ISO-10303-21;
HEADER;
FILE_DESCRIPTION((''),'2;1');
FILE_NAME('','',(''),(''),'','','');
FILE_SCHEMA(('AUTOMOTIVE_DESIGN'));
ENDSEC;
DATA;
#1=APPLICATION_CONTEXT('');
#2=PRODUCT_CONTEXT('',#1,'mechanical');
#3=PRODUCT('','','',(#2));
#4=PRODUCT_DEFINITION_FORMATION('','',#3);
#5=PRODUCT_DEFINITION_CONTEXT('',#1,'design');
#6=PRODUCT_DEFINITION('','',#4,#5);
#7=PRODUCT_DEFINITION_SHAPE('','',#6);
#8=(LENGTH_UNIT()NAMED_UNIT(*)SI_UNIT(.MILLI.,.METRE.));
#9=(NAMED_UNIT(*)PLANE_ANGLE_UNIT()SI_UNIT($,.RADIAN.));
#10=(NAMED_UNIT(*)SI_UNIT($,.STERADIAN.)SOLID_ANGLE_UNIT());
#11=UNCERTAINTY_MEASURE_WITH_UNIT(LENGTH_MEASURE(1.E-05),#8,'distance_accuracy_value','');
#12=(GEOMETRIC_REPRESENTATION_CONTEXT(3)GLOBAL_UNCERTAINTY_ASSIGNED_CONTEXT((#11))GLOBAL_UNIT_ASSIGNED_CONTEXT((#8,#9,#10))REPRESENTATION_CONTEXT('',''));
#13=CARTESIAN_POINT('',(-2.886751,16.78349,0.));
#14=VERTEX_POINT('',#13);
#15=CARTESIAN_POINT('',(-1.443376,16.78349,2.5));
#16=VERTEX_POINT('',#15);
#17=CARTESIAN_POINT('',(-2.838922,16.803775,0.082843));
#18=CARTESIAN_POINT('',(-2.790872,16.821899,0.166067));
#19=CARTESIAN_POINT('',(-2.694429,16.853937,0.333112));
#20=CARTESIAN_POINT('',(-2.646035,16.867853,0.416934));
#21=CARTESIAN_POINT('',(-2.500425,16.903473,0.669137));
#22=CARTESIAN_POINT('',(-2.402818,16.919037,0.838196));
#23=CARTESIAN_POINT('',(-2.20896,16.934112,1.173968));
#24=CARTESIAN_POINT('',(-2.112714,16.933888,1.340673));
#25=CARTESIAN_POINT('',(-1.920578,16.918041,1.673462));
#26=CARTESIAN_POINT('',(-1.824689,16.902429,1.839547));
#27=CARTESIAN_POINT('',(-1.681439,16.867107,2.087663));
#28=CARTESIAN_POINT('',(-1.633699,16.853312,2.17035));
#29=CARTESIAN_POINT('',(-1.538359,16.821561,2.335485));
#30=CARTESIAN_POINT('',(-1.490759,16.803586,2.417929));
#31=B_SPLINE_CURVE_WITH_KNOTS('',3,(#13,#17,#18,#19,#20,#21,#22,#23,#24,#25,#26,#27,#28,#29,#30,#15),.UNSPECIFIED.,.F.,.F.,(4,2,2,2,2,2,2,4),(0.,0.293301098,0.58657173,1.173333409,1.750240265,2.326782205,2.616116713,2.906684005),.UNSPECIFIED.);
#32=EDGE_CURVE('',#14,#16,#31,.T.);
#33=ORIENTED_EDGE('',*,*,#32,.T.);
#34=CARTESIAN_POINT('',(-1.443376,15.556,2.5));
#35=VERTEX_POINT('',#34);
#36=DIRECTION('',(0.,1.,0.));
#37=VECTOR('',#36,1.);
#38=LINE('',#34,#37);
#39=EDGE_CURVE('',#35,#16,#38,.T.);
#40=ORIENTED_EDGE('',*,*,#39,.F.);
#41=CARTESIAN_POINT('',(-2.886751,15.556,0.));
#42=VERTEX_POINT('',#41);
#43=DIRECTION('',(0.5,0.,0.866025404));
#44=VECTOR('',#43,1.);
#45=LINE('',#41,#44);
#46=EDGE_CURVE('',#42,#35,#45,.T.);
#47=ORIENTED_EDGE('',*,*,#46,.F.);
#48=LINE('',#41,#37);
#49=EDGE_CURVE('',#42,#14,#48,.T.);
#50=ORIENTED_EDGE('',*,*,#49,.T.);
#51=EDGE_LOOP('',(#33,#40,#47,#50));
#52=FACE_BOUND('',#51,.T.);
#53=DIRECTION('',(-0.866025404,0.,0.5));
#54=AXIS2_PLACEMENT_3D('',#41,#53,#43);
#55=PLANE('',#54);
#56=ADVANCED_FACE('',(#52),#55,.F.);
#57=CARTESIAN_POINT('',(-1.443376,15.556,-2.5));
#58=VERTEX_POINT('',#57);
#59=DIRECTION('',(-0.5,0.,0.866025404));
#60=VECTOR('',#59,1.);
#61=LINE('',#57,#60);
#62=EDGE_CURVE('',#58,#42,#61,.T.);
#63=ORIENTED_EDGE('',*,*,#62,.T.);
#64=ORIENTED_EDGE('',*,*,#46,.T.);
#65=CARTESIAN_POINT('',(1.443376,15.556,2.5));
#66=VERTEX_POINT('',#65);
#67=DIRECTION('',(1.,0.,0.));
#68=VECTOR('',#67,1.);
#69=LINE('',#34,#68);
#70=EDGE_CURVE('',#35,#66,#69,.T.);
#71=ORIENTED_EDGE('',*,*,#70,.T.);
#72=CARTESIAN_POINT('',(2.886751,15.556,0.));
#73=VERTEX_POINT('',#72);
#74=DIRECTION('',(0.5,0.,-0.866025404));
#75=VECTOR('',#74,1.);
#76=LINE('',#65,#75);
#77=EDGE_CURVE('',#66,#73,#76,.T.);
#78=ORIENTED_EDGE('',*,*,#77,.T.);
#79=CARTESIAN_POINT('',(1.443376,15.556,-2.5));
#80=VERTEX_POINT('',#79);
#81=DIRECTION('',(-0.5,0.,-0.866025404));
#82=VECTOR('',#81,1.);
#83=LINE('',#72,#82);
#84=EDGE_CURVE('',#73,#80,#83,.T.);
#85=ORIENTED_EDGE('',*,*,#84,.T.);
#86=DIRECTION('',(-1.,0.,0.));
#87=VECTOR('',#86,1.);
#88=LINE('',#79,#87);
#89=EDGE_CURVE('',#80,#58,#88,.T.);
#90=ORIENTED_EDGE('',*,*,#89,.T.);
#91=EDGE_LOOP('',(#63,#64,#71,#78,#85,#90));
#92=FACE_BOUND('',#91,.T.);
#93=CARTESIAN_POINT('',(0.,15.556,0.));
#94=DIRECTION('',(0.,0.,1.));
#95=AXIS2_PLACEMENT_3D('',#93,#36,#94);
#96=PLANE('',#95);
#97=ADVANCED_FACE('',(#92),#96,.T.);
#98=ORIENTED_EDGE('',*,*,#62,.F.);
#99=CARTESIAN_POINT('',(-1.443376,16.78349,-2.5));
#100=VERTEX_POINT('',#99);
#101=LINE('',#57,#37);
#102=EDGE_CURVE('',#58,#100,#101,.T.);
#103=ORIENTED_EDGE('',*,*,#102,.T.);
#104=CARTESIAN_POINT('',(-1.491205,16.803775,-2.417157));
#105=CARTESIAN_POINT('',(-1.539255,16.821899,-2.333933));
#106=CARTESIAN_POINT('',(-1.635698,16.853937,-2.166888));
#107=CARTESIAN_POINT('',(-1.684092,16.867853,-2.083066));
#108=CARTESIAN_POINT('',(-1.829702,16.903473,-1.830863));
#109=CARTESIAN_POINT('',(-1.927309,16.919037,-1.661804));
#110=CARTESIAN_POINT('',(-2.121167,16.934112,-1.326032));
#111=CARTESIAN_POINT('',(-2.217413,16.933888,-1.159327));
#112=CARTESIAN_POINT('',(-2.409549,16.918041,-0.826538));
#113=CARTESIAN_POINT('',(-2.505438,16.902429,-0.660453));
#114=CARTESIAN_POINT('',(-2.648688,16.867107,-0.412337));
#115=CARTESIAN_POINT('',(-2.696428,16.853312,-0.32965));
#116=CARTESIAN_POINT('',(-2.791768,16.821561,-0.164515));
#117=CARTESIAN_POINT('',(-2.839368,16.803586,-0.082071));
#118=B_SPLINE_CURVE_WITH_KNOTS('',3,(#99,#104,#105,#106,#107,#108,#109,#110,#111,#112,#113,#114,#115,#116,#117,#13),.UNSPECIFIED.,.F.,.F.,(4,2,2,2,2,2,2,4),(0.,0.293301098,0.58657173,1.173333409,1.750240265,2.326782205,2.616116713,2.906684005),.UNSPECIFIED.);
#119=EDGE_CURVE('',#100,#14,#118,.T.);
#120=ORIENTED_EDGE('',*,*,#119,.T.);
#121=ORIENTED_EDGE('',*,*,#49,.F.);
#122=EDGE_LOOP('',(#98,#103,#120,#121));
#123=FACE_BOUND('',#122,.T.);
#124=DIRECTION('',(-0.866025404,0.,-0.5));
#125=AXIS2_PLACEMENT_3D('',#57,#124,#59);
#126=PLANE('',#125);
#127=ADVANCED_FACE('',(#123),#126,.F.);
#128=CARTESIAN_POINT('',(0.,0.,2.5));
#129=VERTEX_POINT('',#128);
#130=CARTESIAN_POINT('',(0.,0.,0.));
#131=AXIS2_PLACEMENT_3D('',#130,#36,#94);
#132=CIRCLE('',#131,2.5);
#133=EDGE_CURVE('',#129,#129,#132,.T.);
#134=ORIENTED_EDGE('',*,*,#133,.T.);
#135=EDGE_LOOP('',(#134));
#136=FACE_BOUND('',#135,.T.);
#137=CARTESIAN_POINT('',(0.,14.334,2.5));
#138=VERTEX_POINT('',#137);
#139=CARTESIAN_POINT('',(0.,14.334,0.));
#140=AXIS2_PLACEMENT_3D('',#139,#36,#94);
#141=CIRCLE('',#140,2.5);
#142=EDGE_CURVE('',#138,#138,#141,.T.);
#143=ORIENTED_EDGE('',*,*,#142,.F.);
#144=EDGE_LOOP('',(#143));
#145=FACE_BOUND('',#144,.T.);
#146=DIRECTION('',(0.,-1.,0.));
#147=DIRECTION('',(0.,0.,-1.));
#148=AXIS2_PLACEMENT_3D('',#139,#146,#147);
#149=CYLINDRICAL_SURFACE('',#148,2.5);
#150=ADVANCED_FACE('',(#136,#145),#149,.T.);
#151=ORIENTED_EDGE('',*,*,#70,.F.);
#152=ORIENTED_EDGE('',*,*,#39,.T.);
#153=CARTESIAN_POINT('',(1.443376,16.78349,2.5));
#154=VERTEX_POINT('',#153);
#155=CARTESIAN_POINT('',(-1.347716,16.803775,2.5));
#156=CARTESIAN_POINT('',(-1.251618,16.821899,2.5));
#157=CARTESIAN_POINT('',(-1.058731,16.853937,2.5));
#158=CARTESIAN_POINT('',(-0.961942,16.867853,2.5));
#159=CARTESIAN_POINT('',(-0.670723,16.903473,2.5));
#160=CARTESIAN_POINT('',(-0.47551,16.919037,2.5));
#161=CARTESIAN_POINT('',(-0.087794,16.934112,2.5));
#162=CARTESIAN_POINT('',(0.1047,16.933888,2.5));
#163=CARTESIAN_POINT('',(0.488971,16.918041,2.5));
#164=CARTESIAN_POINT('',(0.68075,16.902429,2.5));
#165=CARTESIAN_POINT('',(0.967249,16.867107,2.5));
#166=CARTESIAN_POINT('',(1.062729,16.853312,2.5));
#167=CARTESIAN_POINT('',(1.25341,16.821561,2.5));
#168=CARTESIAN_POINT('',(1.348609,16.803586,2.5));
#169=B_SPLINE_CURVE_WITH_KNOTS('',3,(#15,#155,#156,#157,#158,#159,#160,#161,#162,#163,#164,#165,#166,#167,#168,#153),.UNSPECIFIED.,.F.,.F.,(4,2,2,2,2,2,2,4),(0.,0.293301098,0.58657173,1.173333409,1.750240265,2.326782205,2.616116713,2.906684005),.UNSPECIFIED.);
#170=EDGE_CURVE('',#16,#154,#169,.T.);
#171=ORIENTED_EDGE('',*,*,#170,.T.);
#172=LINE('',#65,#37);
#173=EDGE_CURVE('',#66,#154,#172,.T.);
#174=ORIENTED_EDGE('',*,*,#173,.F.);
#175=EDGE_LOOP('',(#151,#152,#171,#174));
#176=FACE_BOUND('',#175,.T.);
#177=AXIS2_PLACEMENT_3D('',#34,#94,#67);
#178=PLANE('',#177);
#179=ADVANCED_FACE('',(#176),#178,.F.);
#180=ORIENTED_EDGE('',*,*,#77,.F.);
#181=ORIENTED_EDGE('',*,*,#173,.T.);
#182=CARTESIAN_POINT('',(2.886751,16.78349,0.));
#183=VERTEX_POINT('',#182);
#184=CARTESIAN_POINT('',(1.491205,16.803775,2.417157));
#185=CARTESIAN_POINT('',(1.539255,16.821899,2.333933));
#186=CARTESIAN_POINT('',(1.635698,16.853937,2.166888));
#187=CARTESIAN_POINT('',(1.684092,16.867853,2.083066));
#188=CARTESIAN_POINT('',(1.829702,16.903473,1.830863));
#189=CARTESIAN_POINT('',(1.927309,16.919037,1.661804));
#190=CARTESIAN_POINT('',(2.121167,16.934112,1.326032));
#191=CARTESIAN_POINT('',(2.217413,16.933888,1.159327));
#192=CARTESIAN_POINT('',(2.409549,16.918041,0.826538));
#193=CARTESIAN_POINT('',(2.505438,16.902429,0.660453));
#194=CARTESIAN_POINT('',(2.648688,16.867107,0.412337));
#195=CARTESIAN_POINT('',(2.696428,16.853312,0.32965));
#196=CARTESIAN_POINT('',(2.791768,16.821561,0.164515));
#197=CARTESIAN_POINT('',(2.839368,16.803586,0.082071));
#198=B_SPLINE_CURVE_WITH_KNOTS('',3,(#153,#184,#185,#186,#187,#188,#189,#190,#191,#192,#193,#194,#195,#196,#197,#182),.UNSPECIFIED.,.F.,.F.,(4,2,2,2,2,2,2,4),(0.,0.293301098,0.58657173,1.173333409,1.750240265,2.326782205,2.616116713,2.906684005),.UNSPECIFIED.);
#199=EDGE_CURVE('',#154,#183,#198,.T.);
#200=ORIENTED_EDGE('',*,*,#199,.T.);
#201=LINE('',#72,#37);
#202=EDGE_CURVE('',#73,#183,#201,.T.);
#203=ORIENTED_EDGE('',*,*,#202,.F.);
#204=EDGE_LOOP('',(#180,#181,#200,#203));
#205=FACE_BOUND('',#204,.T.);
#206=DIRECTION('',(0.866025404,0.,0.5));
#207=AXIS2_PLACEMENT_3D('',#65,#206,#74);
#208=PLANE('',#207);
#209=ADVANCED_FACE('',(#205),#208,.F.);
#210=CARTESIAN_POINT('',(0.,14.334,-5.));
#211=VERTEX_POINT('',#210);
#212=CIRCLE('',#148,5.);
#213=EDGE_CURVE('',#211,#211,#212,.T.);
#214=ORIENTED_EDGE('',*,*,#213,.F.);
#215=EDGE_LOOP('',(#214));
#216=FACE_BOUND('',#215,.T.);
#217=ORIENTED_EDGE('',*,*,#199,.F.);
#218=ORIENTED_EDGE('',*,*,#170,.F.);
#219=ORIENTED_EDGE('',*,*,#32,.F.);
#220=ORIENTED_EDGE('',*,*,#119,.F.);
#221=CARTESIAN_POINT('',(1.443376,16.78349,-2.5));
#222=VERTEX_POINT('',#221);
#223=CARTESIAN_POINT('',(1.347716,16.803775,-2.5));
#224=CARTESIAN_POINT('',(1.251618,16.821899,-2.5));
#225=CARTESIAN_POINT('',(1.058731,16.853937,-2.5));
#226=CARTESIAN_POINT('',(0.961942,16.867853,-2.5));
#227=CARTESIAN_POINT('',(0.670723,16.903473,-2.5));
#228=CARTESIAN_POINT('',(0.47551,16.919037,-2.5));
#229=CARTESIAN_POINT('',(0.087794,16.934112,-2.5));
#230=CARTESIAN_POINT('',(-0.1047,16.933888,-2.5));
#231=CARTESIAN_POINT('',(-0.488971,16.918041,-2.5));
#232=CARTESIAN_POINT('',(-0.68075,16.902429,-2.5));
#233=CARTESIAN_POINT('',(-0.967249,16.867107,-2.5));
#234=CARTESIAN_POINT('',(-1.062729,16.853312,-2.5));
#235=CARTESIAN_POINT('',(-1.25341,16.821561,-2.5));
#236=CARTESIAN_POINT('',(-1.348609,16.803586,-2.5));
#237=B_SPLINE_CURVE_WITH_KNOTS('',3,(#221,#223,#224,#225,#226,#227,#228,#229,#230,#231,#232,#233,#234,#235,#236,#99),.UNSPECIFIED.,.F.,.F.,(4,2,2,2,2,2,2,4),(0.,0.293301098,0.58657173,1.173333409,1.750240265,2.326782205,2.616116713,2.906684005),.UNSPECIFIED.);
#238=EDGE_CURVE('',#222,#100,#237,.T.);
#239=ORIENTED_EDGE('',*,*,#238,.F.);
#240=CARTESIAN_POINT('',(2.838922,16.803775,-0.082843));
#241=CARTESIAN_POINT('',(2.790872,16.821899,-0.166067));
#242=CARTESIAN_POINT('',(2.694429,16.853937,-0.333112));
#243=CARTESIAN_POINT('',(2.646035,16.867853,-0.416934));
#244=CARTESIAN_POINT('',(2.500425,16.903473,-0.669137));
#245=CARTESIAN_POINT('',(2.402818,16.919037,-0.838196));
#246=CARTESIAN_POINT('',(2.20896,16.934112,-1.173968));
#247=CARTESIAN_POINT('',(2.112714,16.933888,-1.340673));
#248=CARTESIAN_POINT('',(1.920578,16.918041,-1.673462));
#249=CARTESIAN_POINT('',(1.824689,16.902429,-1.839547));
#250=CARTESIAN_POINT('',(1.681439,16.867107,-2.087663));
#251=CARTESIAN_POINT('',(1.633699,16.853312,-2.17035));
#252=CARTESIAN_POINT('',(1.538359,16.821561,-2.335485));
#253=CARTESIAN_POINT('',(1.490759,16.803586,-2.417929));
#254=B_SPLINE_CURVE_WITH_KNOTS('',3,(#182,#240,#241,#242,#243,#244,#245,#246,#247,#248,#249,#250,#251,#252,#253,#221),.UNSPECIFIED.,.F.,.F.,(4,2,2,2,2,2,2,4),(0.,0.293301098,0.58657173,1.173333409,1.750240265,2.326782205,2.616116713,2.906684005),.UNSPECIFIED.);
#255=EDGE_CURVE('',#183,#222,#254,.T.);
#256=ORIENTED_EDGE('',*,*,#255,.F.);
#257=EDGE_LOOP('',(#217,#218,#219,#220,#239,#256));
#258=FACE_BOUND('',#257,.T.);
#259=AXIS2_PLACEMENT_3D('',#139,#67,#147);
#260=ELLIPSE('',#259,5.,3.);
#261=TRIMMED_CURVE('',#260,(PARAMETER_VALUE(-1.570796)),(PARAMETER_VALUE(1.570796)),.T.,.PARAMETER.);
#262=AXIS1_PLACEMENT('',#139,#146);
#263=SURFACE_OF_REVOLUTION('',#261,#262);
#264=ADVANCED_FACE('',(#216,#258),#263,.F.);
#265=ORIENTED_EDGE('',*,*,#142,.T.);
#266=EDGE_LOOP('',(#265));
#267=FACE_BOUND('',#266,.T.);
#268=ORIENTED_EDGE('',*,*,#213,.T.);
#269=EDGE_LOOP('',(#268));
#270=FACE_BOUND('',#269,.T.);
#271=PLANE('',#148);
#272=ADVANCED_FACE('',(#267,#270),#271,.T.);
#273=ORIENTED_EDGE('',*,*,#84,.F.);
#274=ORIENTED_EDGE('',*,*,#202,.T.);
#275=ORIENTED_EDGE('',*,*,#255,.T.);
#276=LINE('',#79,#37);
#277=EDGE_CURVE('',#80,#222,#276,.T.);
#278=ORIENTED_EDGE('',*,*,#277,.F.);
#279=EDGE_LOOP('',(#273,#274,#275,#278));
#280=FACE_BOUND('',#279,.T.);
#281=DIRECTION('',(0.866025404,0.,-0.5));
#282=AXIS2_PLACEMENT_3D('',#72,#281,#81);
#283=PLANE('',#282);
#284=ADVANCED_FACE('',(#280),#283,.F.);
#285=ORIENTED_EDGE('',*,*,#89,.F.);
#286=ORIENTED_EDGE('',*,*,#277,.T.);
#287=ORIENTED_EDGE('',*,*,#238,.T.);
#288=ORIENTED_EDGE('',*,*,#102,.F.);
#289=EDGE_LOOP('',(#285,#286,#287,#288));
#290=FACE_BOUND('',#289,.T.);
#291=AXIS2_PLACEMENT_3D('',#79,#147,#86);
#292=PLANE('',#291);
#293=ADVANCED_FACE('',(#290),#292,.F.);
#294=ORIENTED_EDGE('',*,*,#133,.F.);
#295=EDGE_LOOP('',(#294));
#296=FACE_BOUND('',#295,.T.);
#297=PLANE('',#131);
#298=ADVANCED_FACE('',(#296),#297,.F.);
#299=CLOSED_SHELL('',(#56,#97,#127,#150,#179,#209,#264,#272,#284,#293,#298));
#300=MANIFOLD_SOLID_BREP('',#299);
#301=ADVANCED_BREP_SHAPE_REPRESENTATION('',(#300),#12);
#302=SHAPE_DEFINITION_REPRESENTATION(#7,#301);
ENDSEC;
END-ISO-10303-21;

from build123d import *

# Parameters (mm, degrees)
SKETCH1_R           = 2.5
BOSS_EXTRUDE1_DEPTH = 14.334
CUT_EXTRUDE1_DEPTH  = 1.778


with BuildPart() as part:
    # Sketch1 → Boss-Extrude1 (new body)
    with BuildSketch(Plane(origin=(0, 0, 0), x_dir=(1, 0, 0), z_dir=(0, 1, 0))):
        with Locations(Location((0, 0, 0), (0, 0, 270))):
            Circle(SKETCH1_R)
    extrude(amount=BOSS_EXTRUDE1_DEPTH)

    # Sketch2 → Revolve1 (revolve)
    with BuildSketch(Plane(origin=(0, 0, 0), x_dir=(0, 0, -1), z_dir=(1, 0, 0))):
        with BuildLine():
            Line((0, 14.334), (5, 14.334))
            add(Edge.make_bspline(
                [(5, 14.334), (5, 17.334), (0, 17.334)],
                knots=[0, 0, 0, 1.570796327, 1.570796327, 1.570796327], degree=2, weights=[1, 0.707106781, 1]))
            Line((0, 17.334), (0, 14.334))
        make_face()
    revolve(axis=Axis((0, 14.334, 0), (0, 1, 0)))

    # Sketch4 → Cut-Extrude1 (cut)
    with BuildSketch(Plane(origin=(0, 17.334, 0), x_dir=(1, 0, 0), z_dir=(0, 1, 0))):
        Polygon((2.886751346, 0), (1.443375673, 2.5), (-1.443375673, 2.5), (-2.886751346, 0), (-1.443375673, -2.5), (1.443375673, -2.5), align=None)
    extrude(amount=-CUT_EXTRUDE1_DEPTH, mode=Mode.SUBTRACT)


solid = part.part
